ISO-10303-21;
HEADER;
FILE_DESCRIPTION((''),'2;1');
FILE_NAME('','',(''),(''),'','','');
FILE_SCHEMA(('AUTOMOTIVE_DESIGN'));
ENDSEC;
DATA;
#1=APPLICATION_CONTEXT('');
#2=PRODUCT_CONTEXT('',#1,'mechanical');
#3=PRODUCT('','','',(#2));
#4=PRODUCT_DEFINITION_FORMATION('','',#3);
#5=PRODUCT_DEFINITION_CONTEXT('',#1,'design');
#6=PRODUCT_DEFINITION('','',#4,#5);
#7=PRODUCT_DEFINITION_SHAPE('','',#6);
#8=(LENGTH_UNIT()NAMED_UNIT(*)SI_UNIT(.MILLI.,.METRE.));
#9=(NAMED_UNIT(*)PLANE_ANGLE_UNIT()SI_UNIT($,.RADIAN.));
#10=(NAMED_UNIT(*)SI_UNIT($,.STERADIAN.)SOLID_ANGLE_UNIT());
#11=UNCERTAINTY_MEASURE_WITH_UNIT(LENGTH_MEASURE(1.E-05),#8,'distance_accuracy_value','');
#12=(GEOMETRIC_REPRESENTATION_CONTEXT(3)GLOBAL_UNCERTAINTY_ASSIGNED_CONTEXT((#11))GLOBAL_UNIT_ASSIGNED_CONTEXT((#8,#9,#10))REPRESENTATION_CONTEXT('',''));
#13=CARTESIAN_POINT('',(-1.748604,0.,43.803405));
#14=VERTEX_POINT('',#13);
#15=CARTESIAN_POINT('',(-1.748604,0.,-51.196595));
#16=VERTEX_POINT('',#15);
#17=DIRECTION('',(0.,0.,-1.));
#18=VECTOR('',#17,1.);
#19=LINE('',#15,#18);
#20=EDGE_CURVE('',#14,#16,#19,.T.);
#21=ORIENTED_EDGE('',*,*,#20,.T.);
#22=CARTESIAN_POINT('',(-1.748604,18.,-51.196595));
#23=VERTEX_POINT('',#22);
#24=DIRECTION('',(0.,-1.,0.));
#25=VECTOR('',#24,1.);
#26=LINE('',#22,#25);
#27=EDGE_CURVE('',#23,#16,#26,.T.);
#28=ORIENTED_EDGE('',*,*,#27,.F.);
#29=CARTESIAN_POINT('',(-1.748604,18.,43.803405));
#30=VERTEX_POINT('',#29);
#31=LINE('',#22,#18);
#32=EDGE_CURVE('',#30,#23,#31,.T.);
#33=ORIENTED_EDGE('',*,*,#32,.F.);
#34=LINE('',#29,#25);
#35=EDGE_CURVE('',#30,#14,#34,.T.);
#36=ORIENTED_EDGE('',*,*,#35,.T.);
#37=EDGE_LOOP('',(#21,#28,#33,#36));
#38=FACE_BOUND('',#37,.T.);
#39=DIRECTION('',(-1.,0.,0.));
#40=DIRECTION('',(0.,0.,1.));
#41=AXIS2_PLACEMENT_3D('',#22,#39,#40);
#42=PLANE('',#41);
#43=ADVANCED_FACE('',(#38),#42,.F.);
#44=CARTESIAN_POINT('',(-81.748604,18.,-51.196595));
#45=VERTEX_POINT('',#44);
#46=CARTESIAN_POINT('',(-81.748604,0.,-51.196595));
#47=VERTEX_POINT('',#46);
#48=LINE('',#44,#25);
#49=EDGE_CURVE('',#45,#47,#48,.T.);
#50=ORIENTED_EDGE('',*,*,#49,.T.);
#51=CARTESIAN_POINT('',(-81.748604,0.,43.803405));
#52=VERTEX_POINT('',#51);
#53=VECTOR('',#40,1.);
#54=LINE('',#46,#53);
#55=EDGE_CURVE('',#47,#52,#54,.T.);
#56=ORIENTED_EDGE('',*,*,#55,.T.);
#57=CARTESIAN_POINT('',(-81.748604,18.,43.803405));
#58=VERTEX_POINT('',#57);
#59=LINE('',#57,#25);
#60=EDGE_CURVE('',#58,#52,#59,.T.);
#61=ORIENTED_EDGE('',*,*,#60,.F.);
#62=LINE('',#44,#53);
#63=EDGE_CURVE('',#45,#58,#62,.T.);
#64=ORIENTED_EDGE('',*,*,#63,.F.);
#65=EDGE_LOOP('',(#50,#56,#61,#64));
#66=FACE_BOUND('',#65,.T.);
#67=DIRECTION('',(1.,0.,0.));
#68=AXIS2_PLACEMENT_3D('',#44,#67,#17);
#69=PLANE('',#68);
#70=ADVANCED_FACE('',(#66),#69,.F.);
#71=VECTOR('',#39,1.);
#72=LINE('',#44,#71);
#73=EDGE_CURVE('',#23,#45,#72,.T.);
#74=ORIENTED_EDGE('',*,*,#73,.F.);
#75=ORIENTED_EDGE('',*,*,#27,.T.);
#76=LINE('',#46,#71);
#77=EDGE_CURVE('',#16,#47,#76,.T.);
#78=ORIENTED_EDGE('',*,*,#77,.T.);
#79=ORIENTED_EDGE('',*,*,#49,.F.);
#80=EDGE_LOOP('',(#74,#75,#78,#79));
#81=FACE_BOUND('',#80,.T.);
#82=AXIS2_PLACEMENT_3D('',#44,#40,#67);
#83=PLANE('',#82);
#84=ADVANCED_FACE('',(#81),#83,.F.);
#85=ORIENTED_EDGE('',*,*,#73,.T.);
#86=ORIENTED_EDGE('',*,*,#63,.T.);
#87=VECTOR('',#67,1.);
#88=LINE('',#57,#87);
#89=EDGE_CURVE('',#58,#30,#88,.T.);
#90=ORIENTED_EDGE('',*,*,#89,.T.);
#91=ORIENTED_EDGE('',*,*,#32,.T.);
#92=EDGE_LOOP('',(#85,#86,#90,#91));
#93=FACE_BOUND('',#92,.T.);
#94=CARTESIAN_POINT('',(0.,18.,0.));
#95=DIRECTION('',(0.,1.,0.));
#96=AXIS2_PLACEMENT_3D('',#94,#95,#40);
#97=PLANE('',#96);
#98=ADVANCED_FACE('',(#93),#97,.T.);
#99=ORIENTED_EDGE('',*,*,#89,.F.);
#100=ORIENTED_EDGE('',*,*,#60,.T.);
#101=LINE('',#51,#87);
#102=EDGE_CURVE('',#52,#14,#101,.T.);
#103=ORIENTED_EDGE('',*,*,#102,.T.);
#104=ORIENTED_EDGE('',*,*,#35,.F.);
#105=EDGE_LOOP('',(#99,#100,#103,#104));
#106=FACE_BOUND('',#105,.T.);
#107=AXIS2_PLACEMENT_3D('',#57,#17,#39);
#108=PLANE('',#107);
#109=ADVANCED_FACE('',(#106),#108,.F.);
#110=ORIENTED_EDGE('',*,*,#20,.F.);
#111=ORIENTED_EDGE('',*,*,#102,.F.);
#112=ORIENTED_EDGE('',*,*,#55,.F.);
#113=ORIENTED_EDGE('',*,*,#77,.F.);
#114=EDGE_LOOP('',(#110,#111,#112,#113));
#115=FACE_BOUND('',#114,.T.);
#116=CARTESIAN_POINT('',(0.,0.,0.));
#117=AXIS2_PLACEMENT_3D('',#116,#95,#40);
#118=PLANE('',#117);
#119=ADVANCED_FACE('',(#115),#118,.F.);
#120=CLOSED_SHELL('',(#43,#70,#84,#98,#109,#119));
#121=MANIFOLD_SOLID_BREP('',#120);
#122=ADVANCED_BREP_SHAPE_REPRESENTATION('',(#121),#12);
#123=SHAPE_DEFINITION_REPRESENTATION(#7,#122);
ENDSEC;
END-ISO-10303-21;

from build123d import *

# Parameters (mm, degrees)
ESQUISSE1_W        = 80
ESQUISSE1_H        = 95
BOSS_EXTRU_1_DEPTH = 18


with BuildPart() as part:
    # Esquisse1 → Boss.-Extru.1 (new body)
    with BuildSketch(Plane(origin=(0, 0, 0), x_dir=(1, 0, 0), z_dir=(0, 1, 0))):
        with Locations((-41.748604281, 3.696594774)):
            Rectangle(ESQUISSE1_W, ESQUISSE1_H)
    extrude(amount=BOSS_EXTRU_1_DEPTH)


solid = part.part
